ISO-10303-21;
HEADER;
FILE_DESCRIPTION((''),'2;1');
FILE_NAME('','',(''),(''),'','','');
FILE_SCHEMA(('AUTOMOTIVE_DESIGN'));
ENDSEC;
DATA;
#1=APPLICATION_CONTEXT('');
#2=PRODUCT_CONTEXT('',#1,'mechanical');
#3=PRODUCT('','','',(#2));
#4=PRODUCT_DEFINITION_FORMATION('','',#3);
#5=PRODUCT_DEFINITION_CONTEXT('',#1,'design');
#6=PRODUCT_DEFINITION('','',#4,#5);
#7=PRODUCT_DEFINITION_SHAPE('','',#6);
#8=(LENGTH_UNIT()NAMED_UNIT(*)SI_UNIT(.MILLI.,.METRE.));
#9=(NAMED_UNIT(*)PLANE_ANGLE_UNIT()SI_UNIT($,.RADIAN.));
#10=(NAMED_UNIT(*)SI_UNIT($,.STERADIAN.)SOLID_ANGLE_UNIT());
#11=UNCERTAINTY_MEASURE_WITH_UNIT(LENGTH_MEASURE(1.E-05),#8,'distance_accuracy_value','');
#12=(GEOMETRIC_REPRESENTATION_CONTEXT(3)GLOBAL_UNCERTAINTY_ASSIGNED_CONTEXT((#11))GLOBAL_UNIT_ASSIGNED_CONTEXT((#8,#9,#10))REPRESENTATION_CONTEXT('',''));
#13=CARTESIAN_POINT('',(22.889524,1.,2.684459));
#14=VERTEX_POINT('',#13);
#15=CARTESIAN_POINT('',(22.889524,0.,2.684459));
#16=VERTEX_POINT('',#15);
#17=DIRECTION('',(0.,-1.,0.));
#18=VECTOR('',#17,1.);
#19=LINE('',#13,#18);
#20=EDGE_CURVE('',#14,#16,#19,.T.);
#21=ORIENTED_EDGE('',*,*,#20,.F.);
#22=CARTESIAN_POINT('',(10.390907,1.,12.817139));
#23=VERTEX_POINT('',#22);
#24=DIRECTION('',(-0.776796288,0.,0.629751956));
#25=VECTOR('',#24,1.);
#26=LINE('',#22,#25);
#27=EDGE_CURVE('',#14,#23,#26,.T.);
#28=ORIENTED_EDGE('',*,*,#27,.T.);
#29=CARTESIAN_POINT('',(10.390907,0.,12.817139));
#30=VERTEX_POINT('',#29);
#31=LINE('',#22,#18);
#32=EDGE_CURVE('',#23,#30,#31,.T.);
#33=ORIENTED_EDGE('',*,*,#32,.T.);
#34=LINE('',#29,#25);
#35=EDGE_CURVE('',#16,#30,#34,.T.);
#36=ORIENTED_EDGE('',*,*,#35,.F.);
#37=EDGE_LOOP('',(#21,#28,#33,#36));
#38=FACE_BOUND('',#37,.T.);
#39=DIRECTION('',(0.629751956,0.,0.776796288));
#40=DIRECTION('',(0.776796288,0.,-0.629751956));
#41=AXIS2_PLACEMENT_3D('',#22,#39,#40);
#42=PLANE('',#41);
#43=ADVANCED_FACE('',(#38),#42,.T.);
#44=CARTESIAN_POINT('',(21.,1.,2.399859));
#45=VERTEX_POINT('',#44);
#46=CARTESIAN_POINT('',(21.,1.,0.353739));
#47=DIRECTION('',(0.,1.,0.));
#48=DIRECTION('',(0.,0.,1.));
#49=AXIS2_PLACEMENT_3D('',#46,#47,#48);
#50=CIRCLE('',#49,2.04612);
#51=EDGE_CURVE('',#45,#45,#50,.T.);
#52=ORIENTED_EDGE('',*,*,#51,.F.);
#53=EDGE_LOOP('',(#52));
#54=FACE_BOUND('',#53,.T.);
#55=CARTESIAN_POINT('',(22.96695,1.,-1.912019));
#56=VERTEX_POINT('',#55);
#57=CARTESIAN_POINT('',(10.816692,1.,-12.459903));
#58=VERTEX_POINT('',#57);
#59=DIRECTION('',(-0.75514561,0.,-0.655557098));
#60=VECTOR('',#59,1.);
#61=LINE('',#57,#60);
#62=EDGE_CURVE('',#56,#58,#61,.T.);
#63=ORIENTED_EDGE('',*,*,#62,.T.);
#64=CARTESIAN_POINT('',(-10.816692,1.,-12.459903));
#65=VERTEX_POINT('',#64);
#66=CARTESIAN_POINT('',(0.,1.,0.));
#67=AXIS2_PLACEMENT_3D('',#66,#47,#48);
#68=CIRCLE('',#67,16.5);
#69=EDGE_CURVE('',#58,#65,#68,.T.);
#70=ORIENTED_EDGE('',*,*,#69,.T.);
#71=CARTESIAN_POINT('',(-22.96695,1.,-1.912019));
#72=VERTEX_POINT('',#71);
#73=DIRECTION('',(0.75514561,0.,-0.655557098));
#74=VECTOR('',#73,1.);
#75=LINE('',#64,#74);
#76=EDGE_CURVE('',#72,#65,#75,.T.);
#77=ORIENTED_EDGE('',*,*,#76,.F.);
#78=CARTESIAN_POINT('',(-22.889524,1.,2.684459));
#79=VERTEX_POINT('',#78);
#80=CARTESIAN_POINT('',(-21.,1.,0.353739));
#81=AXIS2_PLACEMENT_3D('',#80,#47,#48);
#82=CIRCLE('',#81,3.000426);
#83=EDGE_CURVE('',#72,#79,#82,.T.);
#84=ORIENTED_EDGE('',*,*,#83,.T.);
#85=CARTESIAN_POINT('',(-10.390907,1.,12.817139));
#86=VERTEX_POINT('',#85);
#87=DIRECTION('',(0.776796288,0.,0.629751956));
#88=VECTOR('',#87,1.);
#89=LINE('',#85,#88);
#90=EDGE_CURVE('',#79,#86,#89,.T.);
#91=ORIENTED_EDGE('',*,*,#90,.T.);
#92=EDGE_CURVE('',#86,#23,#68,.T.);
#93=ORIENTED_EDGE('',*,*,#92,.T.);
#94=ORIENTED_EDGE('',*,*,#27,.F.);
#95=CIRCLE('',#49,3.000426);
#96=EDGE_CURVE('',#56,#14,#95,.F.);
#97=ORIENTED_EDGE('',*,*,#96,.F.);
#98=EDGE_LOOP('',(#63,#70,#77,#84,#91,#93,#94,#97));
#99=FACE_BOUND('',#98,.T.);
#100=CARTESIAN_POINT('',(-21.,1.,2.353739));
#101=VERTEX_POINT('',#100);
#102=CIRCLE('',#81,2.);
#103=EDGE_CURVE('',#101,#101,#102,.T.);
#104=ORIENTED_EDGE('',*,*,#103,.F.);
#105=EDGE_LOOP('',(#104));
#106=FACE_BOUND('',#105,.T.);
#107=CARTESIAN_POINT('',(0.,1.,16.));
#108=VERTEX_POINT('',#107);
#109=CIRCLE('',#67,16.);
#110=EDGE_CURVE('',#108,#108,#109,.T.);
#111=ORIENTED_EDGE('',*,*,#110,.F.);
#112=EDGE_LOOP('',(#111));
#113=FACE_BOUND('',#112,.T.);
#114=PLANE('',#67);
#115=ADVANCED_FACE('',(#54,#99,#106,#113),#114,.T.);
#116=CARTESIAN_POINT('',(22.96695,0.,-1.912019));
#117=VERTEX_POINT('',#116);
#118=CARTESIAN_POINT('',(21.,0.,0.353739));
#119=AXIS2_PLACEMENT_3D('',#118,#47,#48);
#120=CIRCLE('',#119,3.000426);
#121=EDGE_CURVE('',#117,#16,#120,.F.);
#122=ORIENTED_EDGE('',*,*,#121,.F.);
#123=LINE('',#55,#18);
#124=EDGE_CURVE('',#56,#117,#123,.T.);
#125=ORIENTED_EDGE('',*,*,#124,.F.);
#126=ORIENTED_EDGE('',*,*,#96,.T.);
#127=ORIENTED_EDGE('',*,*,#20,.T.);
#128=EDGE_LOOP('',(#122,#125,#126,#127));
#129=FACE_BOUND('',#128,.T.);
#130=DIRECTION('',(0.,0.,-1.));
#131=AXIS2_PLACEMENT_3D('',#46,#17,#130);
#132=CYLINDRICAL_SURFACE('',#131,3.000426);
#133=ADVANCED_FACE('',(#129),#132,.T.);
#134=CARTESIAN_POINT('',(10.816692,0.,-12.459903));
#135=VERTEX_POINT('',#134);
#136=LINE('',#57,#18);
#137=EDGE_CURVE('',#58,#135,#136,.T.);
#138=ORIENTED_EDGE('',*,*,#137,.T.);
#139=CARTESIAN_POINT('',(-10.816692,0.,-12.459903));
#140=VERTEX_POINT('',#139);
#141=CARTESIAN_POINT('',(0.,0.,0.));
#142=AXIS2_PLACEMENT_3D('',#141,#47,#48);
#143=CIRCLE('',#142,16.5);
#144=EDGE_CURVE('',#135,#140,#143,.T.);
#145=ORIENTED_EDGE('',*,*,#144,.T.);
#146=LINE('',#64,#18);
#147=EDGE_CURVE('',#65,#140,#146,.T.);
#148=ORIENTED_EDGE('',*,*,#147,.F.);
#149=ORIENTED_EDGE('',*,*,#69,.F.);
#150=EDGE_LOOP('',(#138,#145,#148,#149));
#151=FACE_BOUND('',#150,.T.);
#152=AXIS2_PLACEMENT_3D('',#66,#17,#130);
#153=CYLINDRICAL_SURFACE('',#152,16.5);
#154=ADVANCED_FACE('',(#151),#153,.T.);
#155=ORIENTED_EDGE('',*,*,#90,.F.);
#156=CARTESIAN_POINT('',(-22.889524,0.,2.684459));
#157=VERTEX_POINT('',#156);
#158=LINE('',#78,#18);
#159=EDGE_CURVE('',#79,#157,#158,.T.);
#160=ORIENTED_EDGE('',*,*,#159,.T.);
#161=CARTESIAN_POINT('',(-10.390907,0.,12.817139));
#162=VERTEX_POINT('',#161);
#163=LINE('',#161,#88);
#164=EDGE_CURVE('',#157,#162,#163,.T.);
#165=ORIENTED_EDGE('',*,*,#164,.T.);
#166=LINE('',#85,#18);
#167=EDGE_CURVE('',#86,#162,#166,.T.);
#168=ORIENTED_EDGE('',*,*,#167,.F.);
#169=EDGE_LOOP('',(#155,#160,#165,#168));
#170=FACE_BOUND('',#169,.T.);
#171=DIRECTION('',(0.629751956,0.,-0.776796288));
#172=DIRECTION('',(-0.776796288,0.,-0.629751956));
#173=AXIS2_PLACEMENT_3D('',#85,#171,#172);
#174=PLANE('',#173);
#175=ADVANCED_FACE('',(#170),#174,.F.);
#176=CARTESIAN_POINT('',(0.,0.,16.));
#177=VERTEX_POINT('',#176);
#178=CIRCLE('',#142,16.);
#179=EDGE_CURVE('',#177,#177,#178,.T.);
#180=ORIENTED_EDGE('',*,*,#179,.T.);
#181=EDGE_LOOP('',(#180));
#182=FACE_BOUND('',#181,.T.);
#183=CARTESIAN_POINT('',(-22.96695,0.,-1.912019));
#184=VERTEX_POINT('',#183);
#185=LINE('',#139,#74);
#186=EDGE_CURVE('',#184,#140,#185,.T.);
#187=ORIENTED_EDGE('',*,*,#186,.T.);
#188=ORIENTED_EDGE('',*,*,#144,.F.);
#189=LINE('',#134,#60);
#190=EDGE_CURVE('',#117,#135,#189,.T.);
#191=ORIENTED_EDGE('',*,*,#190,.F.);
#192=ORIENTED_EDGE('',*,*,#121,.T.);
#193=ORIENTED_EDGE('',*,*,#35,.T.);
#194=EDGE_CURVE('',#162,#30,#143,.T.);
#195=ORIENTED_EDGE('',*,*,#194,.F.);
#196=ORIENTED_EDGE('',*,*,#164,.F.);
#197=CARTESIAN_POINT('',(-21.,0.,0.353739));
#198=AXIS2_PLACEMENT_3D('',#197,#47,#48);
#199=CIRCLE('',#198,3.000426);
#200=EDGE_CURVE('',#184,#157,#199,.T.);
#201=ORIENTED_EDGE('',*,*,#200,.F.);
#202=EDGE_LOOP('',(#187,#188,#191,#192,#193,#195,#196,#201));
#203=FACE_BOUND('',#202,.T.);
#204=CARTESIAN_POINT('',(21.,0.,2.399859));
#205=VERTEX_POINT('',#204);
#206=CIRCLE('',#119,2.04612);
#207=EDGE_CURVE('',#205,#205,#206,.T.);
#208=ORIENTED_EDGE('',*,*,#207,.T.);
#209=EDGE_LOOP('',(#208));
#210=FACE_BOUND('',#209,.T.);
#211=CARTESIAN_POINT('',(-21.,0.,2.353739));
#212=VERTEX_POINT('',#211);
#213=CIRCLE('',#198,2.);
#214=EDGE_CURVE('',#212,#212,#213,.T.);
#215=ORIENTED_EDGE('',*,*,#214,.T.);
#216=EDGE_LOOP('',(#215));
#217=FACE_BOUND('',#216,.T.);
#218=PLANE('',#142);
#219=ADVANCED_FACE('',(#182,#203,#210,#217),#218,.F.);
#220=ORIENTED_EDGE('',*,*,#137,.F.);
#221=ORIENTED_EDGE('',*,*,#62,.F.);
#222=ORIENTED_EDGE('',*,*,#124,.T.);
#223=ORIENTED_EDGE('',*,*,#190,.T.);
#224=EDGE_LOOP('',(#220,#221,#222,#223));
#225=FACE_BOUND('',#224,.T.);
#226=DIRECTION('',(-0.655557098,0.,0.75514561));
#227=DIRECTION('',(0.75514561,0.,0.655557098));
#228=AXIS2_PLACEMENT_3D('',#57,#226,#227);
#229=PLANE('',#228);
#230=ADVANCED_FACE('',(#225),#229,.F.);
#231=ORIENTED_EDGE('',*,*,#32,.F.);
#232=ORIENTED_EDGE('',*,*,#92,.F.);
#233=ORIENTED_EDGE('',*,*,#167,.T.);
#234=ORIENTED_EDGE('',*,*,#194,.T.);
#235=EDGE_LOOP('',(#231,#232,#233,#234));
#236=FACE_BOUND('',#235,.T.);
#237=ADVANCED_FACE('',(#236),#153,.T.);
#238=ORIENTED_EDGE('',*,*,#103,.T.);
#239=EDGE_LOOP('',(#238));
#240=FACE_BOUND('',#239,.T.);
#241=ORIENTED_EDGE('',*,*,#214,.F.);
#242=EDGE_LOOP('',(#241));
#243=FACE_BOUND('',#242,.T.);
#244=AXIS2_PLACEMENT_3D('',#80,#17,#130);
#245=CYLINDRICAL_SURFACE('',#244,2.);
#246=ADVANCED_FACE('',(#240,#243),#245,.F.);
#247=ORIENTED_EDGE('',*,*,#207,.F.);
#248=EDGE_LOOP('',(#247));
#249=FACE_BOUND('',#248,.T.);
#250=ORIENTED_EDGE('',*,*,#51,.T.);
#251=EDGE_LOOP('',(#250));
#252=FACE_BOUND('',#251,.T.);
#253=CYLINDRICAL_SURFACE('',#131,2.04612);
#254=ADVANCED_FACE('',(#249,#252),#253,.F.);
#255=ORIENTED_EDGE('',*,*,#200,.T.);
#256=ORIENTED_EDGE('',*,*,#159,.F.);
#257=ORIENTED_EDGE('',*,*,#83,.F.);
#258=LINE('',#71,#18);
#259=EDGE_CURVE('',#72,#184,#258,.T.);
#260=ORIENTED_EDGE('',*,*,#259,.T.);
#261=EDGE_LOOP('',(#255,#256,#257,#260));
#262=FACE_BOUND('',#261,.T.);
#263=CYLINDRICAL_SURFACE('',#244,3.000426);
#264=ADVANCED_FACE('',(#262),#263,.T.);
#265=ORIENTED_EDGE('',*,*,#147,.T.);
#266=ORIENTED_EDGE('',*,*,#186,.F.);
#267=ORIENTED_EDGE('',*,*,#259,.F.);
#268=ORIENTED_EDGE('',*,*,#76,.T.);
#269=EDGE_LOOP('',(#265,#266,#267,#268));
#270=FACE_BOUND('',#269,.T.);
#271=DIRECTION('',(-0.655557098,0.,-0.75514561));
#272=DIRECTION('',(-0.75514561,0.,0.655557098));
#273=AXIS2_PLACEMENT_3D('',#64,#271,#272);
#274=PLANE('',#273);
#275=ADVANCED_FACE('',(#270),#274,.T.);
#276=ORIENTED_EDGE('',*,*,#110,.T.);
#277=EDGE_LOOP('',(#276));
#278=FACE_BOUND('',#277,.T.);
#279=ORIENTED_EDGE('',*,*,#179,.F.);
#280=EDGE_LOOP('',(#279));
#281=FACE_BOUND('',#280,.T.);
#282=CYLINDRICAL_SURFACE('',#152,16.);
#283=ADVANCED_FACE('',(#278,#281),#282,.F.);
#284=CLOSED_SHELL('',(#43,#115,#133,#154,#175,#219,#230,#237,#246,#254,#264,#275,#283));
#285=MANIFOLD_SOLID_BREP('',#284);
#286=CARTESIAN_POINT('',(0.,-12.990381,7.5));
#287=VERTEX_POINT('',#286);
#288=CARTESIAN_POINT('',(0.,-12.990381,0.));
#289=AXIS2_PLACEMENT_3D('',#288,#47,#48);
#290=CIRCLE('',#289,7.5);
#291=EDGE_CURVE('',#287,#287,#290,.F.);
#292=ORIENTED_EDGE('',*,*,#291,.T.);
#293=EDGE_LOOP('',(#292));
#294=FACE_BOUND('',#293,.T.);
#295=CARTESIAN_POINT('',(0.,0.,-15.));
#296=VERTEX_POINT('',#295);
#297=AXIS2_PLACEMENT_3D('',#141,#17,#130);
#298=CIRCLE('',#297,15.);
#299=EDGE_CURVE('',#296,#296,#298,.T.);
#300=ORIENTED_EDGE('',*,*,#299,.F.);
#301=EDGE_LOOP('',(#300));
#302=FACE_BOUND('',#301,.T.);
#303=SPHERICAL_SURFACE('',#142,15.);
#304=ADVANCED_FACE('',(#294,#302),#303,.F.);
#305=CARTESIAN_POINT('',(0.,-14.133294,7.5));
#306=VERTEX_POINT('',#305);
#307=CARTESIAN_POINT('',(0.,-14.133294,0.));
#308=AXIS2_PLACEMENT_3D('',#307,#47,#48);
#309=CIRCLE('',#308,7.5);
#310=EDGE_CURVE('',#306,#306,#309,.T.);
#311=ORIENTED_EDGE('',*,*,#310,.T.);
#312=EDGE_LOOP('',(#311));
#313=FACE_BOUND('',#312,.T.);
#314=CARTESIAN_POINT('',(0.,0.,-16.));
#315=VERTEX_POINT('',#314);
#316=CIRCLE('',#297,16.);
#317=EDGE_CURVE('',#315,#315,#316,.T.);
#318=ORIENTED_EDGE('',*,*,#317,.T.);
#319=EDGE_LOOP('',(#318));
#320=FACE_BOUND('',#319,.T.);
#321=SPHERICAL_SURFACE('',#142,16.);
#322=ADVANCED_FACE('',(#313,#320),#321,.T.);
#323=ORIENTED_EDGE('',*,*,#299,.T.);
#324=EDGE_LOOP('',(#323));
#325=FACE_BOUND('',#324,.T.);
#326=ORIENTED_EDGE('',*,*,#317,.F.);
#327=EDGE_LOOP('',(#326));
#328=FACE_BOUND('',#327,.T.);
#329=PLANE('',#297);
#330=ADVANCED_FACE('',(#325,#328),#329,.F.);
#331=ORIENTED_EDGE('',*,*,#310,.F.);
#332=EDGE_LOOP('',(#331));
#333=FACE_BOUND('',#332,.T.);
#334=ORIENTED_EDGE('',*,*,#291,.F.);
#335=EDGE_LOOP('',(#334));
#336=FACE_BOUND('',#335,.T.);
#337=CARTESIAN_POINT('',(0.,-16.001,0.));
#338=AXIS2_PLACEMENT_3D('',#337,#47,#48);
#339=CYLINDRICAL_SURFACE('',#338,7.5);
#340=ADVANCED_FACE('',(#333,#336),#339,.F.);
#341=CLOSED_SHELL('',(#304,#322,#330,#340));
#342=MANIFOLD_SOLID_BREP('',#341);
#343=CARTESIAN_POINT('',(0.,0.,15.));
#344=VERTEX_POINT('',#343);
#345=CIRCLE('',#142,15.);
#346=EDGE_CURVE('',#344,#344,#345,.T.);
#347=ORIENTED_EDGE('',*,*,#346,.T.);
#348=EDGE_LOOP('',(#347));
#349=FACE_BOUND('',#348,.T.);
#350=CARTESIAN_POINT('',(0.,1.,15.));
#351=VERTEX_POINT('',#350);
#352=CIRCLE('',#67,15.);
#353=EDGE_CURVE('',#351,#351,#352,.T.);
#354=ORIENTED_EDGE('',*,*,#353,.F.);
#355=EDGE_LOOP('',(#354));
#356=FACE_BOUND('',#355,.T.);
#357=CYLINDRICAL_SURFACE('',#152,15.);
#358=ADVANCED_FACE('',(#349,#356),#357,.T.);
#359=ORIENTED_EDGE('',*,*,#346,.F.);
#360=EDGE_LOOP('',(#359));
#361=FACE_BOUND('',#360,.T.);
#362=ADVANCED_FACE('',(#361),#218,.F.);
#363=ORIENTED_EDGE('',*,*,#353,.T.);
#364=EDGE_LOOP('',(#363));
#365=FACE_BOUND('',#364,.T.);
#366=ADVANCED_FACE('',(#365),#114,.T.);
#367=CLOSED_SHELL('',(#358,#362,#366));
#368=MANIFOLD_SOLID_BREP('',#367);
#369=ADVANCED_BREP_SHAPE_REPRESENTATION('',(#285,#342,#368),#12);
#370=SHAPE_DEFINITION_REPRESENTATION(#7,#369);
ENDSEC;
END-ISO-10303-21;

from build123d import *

# Parameters (mm, degrees)
REVOLVE6_ANGLE          = 180
SKETCH1_9_R             = 2
BOSS_EXTRUDE1_DEPTH     = 1
SKETCH1_9_R_2           = 15
BOSS_EXTRUDE1_2_DEPTH   = 1
CUT_EXTRUDE1_REACH      = 35.231
CUT_EXTRUDE1_END_RADIUS = 16
SKETCH2_R               = 7.5


with BuildPart() as part:
    # Sketch1 → Revolve6 (revolve)
    with BuildSketch(Plane(origin=(0, 0, 0), x_dir=(1, 0, 0), z_dir=(0, 1, 0))):
        with BuildLine():
            ThreePointArc((-16, 0), (0, -16), (16, 0))
            Line((16, 0), (15, 0))
            ThreePointArc((15, 0), (0, -15), (-15, 0))
            Line((-15, 0), (-16, 0))
        make_face()
    revolve(axis=Axis((-19.031531421, 0, 0), (1, 0, 0)), revolution_arc=REVOLVE6_ANGLE)

    # Cut-Extrude1: up to this sphere (the profile starts inside it)
    cut_extrude1_end = Location((0, 0, 0)) * Sphere(CUT_EXTRUDE1_END_RADIUS, mode=Mode.PRIVATE)
    # Sketch2 → Cut-Extrude1 (cut, up to the surface)
    with BuildSketch(Plane(origin=(0, 0, 0), x_dir=(1, 0, 0), z_dir=(0, 1, 0)), mode=Mode.PRIVATE) as cut_extrude1_sk1:
        Circle(SKETCH2_R)
    cut_extrude1_tool1 = extrude(cut_extrude1_sk1.sketch, amount=-CUT_EXTRUDE1_REACH, mode=Mode.PRIVATE) & cut_extrude1_end
    add(cut_extrude1_tool1.solids().sort_by_distance((0, 0, 0))[0], mode=Mode.SUBTRACT)


with BuildPart() as body_2:
    # Sketch1<9> → Boss-Extrude1 (new body)
    with BuildSketch(Plane(origin=(0, 0, 0), x_dir=(1, 0, 0), z_dir=(0, 1, 0))):
        with BuildLine():
            ThreePointArc((-22.96695029, 1.912018961), (-24, -0.404273426), (-22.889523883, -2.684458707))
            Line((-22.889523883, -2.684458707), (-10.390907276, -12.81713876))
            ThreePointArc((-10.390907276, -12.81713876), (0, -16.5), (10.390907276, -12.81713876))
            Line((10.390907276, -12.81713876), (22.889523883, -2.684458707))
            ThreePointArc((22.889523883, -2.684458707), (23.780005188, -1.48251064), (23.979500335, 0))
            ThreePointArc((23.979500335, 0), (23.651565118, 1.050453093), (22.96695029, 1.912018961))
            Line((22.96695029, 1.912018961), (10.816692113, 12.459902557))
            ThreePointArc((10.816692113, 12.459902557), (0, 16.5), (-10.816692113, 12.459902557))
            Line((-10.816692113, 12.459902557), (-22.96695029, 1.912018961))
        make_face()
        with Locations((-21, -0.353739248)):
            Circle(SKETCH1_9_R, mode=Mode.SUBTRACT)
        with BuildLine():
            ThreePointArc((18.984689587, 0), (21, 1.692380865), (23.015310413, 0))
            ThreePointArc((23.015310413, 0), (21, -2.39985936), (18.984689587, 0))
        make_face(mode=Mode.SUBTRACT)
        with BuildLine():
            ThreePointArc((-16, 0), (0, 16), (16, 0))
            ThreePointArc((16, 0), (0, -16), (-16, 0))
        make_face(mode=Mode.SUBTRACT)
    extrude(amount=BOSS_EXTRUDE1_DEPTH)


with BuildPart() as body_3:
    # Sketch1<9> → Boss-Extrude1 2 (new body)
    with BuildSketch(Plane(origin=(0, 0, 0), x_dir=(1, 0, 0), z_dir=(0, 1, 0))):
        Circle(SKETCH1_9_R_2)
    extrude(amount=BOSS_EXTRUDE1_2_DEPTH)


solid = Compound([part.part, body_2.part, body_3.part])
